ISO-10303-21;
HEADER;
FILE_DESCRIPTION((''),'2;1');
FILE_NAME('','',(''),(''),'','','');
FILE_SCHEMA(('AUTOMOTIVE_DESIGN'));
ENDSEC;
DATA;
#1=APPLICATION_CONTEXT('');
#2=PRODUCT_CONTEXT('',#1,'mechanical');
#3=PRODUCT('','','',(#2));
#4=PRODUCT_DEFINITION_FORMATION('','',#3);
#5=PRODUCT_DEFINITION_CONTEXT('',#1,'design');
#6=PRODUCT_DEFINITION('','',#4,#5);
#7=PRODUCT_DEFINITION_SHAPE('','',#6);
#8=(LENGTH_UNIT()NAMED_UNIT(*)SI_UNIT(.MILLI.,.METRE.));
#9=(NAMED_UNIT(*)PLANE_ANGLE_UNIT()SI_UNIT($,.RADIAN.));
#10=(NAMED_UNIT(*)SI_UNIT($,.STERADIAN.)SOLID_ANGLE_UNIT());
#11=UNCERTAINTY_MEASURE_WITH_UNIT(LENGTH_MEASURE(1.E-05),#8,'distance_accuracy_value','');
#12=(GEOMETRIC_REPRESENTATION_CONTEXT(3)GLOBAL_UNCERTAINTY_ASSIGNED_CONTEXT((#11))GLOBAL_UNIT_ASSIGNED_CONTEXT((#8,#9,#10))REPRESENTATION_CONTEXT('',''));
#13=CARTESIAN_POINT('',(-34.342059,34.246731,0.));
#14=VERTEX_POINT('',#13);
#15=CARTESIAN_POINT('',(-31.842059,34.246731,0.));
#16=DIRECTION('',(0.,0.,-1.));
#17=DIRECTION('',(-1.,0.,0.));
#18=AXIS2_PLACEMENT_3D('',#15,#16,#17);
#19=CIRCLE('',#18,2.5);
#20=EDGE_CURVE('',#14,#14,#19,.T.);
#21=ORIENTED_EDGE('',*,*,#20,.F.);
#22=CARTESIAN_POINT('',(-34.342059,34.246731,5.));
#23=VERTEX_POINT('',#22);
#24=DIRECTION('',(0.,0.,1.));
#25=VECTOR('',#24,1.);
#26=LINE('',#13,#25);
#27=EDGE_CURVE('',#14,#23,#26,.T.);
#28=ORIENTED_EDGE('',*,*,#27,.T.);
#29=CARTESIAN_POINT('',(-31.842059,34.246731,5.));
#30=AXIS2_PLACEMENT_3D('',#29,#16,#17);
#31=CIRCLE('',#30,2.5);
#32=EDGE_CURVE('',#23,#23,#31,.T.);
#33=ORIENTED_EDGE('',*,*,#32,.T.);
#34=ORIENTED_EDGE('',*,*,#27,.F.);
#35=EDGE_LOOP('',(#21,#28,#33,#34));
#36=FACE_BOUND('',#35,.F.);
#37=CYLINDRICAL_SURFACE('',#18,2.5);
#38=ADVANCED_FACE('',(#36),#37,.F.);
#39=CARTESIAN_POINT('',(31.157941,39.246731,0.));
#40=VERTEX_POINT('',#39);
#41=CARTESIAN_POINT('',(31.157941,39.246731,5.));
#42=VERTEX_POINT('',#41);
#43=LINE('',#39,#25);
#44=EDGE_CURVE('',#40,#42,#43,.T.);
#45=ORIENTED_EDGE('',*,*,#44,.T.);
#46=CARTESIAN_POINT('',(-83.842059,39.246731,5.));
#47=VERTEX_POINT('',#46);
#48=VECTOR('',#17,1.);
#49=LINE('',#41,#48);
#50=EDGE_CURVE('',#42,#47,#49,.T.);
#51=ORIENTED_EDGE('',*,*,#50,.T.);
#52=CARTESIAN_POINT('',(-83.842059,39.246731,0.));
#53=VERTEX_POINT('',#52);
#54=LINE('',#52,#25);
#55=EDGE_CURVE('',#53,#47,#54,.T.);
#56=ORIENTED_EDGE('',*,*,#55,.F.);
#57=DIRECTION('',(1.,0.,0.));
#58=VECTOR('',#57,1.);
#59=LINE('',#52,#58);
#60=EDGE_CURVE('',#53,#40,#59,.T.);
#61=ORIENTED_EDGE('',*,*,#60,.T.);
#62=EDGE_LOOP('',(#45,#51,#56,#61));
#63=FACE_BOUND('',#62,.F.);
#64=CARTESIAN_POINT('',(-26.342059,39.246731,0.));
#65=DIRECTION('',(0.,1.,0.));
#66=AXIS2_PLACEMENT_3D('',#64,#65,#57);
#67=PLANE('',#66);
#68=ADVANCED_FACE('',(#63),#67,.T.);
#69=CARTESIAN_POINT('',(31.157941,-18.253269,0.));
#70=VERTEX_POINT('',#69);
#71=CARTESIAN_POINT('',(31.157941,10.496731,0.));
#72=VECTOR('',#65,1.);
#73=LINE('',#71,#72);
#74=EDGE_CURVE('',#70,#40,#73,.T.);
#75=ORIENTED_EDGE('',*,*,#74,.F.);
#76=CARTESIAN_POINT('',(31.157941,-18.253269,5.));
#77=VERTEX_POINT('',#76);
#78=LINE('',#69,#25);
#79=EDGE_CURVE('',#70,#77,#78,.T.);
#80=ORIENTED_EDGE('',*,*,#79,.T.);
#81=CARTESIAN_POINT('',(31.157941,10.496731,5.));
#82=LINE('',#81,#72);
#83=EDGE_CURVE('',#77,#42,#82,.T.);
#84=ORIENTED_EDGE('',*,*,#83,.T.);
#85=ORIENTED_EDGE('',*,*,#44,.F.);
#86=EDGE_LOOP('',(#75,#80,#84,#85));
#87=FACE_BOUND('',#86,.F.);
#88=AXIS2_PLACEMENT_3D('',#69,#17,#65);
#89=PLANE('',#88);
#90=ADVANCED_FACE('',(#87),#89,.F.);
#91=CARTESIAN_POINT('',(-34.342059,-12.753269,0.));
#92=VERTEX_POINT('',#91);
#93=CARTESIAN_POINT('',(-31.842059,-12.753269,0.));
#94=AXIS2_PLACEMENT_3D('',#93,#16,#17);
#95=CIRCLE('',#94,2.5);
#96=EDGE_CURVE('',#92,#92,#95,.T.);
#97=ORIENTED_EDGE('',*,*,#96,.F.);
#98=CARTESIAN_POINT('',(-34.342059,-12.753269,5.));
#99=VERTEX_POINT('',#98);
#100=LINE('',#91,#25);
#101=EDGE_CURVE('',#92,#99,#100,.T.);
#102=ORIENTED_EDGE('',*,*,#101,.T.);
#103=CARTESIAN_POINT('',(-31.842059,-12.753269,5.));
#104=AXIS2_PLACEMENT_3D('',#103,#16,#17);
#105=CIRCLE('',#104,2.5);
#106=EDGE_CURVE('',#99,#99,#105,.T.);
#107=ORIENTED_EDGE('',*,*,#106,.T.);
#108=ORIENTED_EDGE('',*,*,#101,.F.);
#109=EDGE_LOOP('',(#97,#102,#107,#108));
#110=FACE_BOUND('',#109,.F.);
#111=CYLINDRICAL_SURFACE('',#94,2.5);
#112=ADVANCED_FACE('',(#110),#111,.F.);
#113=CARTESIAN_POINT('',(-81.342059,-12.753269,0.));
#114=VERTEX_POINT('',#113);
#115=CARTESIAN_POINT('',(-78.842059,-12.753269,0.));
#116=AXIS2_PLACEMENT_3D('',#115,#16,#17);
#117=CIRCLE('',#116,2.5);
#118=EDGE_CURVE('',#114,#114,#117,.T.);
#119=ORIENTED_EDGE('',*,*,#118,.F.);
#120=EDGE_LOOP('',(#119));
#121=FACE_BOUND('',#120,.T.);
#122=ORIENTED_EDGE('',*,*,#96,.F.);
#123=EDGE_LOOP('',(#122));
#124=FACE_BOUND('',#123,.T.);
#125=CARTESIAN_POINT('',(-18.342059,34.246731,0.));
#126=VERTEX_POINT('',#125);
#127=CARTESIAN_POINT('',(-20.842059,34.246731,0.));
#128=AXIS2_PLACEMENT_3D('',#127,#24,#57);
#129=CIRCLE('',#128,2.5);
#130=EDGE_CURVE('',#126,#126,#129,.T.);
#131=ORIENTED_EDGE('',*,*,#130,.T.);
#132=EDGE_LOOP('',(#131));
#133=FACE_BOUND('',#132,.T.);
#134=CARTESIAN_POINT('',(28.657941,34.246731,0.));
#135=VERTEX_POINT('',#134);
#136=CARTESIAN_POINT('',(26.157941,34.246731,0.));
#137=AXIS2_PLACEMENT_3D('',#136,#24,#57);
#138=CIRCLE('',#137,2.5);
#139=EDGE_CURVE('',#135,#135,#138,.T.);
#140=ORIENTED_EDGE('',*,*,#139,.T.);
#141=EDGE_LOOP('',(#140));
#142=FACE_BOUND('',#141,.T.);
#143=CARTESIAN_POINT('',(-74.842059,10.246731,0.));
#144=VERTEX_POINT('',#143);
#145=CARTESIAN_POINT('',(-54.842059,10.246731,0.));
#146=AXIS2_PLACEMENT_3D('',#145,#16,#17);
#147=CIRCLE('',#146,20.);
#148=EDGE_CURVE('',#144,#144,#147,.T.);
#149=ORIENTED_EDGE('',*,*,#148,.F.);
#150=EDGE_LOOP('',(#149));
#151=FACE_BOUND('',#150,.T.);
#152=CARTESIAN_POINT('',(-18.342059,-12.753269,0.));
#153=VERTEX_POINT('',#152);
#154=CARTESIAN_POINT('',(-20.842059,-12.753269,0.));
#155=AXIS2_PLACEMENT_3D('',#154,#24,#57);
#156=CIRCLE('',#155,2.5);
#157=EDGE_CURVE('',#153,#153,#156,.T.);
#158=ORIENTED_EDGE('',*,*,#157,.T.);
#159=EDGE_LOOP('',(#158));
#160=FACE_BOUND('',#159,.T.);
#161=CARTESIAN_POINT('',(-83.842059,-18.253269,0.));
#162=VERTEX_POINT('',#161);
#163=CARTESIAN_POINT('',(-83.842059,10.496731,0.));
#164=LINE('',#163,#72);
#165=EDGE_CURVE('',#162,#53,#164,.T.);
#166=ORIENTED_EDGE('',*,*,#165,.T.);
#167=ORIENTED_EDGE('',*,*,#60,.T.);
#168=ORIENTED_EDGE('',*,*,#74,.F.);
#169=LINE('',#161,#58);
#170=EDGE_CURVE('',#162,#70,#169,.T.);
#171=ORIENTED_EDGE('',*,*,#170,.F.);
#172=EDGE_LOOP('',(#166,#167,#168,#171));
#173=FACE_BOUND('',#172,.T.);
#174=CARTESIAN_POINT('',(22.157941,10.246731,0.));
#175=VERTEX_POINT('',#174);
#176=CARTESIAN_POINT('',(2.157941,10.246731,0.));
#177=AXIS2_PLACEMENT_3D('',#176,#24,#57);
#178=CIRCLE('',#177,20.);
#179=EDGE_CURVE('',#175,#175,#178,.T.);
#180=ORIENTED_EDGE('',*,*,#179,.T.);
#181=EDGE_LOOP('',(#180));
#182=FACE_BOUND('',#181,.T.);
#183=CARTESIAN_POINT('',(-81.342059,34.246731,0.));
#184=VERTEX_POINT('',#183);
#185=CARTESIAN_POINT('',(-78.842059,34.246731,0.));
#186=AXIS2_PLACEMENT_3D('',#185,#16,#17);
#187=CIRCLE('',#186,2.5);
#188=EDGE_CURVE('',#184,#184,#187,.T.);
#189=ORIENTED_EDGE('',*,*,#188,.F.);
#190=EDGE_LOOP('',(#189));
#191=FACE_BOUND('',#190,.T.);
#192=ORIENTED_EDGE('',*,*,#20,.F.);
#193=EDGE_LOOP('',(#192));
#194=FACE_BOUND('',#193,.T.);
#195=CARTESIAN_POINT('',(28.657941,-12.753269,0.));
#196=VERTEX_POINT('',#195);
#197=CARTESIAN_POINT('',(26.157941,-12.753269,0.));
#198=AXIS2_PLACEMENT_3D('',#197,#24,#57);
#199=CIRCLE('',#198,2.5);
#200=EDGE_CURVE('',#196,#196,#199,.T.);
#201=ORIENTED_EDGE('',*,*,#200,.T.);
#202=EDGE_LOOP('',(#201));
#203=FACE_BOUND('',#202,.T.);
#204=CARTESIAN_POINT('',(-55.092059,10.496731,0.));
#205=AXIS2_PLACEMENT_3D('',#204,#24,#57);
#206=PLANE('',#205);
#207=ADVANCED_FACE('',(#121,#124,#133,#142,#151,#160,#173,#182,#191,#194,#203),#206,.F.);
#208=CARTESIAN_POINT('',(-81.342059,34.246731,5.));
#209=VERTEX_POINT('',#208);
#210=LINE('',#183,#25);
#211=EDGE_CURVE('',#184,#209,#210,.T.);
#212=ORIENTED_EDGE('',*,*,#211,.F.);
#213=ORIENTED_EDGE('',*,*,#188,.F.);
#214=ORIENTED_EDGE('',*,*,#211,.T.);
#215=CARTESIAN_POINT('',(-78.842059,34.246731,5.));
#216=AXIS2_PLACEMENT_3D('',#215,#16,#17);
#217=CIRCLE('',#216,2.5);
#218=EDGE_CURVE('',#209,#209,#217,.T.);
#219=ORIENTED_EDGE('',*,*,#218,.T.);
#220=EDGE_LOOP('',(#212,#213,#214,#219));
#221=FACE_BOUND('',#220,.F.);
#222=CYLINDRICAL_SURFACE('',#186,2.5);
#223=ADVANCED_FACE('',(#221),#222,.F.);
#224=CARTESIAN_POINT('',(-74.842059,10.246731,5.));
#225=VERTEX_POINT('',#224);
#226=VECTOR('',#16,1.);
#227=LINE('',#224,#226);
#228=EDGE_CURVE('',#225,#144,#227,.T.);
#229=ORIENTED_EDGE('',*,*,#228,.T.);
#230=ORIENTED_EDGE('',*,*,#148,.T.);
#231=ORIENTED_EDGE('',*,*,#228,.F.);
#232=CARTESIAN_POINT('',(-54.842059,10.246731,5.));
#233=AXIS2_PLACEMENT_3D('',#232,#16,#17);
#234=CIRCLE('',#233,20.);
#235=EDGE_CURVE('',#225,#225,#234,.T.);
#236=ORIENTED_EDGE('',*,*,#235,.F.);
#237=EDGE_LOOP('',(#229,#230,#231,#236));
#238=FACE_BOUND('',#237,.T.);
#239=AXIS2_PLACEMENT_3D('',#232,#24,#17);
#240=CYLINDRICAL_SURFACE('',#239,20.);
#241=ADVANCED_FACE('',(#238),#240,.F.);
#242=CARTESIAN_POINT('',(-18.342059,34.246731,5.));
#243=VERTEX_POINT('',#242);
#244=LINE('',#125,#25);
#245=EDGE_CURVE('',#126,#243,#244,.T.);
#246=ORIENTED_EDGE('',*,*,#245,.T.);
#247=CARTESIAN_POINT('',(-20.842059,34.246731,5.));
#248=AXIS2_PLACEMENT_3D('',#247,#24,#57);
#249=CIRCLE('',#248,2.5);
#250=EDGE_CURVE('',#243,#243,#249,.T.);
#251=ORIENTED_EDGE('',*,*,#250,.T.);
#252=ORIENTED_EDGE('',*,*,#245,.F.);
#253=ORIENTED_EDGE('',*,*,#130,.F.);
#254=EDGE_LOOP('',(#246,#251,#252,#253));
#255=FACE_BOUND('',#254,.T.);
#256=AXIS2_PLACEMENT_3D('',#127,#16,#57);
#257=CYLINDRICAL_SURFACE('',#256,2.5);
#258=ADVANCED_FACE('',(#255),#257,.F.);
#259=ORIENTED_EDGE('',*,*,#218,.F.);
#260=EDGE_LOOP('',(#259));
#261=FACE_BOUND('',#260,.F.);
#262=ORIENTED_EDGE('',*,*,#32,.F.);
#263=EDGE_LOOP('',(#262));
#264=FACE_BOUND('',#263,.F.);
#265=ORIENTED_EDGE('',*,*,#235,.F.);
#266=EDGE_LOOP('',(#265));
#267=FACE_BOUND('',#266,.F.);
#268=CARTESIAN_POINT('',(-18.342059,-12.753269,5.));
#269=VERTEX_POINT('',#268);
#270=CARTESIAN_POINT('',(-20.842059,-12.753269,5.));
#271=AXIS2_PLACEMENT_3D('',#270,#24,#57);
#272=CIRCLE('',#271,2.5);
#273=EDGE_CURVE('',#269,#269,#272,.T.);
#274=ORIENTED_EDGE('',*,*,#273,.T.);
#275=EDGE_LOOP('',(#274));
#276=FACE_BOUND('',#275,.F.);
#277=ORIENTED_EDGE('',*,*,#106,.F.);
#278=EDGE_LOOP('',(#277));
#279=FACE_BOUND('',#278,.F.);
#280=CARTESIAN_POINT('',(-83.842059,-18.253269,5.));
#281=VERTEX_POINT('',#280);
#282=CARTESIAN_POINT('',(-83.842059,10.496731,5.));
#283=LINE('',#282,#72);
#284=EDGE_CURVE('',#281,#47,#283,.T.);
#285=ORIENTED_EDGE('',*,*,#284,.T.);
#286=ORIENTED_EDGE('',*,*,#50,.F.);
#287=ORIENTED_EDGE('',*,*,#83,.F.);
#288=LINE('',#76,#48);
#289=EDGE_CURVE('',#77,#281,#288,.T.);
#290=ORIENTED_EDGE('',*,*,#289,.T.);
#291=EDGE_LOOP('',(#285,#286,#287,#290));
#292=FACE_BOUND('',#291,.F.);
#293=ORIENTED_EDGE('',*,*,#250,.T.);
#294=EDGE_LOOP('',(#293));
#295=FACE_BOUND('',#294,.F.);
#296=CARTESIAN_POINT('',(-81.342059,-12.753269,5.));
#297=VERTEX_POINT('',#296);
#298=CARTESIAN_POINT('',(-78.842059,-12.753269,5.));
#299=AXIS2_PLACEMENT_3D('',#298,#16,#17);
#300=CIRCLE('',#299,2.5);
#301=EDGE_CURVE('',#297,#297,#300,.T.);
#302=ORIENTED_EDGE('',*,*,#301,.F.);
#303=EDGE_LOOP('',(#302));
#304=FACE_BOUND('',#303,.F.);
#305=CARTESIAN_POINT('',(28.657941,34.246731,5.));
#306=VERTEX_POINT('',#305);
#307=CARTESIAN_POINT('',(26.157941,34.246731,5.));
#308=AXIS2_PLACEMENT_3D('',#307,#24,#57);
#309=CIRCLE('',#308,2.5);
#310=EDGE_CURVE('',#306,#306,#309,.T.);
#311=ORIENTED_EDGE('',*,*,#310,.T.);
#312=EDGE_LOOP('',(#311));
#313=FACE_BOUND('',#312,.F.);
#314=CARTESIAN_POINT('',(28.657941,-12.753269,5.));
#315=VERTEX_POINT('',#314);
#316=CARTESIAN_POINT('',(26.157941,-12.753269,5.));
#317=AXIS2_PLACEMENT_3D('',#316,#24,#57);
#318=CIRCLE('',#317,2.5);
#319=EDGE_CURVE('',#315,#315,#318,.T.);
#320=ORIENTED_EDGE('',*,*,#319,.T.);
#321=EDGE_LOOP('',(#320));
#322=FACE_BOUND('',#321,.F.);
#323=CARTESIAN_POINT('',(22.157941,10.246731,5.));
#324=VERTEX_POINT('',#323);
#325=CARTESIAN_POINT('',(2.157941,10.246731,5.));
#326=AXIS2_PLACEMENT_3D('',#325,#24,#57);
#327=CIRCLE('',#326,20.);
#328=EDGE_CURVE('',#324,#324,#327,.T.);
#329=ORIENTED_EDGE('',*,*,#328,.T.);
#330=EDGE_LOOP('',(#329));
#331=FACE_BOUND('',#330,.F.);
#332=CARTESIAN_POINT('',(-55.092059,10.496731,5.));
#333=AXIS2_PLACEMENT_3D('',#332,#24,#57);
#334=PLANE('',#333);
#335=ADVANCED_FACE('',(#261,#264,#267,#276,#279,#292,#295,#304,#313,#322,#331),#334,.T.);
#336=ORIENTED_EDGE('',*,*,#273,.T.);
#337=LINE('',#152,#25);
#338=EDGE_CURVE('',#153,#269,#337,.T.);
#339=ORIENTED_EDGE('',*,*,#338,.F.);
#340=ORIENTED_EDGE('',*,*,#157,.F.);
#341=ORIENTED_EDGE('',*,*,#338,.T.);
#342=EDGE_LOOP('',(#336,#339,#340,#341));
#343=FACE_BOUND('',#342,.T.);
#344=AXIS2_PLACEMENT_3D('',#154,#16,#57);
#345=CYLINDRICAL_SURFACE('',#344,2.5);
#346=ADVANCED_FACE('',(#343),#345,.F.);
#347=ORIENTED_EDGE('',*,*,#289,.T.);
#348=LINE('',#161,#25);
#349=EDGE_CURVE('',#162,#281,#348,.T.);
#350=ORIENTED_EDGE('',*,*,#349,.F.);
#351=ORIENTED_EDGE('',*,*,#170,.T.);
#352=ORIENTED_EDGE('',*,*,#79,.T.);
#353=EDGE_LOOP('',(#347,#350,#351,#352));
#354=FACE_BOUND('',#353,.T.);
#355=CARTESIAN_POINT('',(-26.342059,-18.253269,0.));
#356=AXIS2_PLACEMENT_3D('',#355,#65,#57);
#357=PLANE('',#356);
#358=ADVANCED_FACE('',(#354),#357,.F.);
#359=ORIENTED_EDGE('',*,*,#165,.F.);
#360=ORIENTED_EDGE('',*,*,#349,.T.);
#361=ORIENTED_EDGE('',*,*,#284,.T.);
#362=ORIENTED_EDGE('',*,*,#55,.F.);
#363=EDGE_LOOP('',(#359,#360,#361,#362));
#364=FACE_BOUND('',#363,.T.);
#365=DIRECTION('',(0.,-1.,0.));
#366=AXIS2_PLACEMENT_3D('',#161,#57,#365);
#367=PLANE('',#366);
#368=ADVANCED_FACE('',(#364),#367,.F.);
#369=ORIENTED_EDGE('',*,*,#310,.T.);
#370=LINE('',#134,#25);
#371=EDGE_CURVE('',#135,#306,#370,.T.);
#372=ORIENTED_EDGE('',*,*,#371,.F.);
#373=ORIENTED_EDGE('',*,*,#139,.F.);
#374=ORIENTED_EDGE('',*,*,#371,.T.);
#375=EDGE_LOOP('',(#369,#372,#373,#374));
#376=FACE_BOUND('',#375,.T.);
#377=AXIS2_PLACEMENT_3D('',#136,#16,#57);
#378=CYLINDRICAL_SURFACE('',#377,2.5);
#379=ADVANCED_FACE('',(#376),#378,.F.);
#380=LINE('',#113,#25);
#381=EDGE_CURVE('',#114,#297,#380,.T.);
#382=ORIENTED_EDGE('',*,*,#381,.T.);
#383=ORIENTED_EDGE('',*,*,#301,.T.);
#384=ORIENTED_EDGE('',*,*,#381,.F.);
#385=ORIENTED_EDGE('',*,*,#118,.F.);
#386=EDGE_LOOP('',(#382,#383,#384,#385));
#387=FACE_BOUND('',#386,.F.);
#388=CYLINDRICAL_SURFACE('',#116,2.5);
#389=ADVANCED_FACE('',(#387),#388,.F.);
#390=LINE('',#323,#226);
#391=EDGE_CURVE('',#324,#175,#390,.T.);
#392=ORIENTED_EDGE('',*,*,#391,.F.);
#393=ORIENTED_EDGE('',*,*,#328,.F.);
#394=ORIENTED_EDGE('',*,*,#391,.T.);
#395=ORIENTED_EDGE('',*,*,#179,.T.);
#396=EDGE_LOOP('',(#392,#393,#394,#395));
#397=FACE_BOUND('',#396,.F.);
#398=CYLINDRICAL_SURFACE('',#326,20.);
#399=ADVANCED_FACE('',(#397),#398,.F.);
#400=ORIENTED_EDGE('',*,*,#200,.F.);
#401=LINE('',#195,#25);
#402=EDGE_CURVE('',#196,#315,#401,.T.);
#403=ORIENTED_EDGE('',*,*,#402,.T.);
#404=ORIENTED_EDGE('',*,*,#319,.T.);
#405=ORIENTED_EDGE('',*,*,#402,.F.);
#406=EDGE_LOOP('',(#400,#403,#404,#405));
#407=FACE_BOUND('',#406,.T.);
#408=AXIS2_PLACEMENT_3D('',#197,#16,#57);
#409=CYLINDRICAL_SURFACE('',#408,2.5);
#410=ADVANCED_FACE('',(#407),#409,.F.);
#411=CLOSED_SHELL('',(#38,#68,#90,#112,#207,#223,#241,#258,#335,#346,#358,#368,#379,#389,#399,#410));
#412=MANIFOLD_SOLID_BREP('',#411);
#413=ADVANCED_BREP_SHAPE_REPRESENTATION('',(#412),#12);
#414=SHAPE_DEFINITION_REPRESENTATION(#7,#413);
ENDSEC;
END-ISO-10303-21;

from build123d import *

# Parameters (mm, degrees)
F0_W     = 57.5
F0_H     = 57.5
F0_R     = 2.5
F1_DEPTH = 5
F2_R     = 20
F3_DEPTH = 5


with BuildPart() as f1:
    # F0 (on Top) → F1 (new body)
    with BuildSketch(Plane.XY):
        with Locations((2.407941, 10.496731)):
            Rectangle(F0_W, F0_H)
        with Locations((-20.842059, -12.753269)):
            Circle(F0_R, mode=Mode.SUBTRACT)
        with Locations((26.157941, -12.753269)):
            Circle(F0_R, mode=Mode.SUBTRACT)
        with Locations((-20.842059, 34.246731)):
            Circle(F0_R, mode=Mode.SUBTRACT)
        with Locations((26.157941, 34.246731)):
            Circle(F0_R, mode=Mode.SUBTRACT)
    extrude(amount=F1_DEPTH)

    # F2 (on face) → F3 (cut)
    with BuildSketch(Plane.XY.offset(5)):
        with Locations((2.157941, 10.246731)):
            Circle(F2_R)
    extrude(amount=-F3_DEPTH, mode=Mode.SUBTRACT)

    # F4: F1 across face


with BuildPart() as f1_1:
    add(f1.part)
    add(f1.part.mirror(Plane(origin=(-26.342059, 10.496731, 2.5), x_dir=(0, -1, 0), z_dir=(-1, 0, 0))))


solid = f1_1.part
